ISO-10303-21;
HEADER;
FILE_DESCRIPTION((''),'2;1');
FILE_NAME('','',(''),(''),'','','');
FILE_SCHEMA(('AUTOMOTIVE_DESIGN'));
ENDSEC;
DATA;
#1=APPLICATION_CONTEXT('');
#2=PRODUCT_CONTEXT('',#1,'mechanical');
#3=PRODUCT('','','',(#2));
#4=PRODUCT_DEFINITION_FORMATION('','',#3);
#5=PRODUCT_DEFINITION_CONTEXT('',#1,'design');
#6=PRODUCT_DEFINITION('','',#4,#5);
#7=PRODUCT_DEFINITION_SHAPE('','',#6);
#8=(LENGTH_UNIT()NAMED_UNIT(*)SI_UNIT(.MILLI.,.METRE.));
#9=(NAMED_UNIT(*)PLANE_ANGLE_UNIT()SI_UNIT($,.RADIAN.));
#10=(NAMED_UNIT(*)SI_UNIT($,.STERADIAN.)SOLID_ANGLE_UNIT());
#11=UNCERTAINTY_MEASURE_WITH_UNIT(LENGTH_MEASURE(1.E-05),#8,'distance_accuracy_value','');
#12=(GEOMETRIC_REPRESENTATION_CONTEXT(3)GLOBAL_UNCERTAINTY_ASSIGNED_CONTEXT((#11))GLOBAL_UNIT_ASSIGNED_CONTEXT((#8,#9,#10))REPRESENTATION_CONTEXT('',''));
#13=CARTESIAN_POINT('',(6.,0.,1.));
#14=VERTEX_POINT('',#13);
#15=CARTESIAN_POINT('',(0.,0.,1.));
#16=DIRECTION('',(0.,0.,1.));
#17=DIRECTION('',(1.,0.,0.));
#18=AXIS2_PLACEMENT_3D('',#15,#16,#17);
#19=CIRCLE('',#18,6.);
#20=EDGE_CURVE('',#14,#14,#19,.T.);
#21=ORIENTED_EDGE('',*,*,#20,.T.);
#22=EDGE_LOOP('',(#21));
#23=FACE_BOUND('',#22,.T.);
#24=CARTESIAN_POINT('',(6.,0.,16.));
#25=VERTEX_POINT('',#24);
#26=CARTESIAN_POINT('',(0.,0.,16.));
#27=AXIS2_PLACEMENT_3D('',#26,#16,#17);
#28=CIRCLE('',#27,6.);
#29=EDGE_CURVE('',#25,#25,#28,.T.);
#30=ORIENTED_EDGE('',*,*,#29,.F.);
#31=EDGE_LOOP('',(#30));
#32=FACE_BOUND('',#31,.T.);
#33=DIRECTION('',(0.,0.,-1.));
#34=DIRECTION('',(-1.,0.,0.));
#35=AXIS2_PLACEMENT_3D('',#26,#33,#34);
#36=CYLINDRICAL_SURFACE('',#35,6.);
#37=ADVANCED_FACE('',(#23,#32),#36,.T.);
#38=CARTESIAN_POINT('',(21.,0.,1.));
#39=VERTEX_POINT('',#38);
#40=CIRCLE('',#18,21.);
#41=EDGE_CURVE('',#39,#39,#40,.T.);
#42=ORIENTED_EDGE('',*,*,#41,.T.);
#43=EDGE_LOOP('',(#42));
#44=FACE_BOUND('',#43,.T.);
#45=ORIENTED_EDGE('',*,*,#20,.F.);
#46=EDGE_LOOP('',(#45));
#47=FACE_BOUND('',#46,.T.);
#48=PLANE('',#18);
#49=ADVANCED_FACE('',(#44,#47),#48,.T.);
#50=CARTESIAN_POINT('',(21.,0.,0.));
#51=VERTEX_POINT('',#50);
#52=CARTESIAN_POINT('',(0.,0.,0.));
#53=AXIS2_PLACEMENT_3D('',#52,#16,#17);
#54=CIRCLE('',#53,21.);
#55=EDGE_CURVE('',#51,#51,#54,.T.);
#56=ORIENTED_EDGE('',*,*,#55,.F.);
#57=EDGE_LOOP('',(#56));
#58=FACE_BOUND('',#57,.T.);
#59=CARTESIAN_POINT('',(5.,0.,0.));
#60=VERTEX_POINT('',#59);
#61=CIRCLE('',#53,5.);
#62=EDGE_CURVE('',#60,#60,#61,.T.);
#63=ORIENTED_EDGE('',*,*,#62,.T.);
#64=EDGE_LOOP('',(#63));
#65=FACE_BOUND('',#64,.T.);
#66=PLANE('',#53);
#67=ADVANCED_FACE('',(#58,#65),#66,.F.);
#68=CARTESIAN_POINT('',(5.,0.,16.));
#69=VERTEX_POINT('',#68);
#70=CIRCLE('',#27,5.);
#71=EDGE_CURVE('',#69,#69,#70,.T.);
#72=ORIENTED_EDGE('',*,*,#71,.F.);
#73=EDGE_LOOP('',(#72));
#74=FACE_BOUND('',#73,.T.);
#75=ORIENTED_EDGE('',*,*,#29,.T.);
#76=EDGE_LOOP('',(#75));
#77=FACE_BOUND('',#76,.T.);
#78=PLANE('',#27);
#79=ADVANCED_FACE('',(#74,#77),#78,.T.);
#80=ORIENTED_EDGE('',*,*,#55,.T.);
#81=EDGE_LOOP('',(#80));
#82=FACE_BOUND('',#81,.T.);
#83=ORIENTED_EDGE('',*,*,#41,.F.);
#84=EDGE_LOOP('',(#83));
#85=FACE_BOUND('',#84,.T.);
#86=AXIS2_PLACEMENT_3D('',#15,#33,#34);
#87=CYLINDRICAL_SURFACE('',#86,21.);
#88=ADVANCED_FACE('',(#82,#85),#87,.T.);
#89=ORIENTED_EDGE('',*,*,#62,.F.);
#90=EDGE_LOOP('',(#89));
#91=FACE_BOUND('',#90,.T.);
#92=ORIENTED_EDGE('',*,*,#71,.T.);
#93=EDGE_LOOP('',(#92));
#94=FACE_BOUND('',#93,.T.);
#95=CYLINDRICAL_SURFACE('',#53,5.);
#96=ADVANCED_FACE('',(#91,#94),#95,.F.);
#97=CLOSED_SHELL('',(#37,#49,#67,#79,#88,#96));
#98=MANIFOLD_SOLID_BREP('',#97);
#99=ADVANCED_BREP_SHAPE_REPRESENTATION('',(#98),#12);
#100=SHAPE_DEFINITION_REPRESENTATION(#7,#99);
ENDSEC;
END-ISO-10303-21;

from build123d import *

# Parameters (mm, degrees)
SKETCH1_R               = 21
BOSS_EXTRUDE1_DEPTH     = 1
SKETCH2_R               = 6
BOSS_EXTRUDE2_DEPTH     = 15
CUT_EXTRUDE1_DEPTH      = 34.734255587
CUT_EXTRUDE1_DEPTH_BACK = 34.734255587
SKETCH3_R               = 5


with BuildPart() as part:
    # Sketch1 → Boss-Extrude1 (new body)
    with BuildSketch(Plane.XY):
        Circle(SKETCH1_R)
    extrude(amount=BOSS_EXTRUDE1_DEPTH)

    # Sketch2 → Boss-Extrude2 (add)
    with BuildSketch(Plane.XY.offset(1)):
        Circle(SKETCH2_R)
    extrude(amount=BOSS_EXTRUDE2_DEPTH)

    # Sketch3 → Cut-Extrude1 (cut, two sides: drawn at the far end of the back side and taken through both)
    with BuildSketch(Plane.XY.offset(16).offset(-CUT_EXTRUDE1_DEPTH_BACK)):
        Circle(SKETCH3_R)
    extrude(amount=CUT_EXTRUDE1_DEPTH + CUT_EXTRUDE1_DEPTH_BACK, mode=Mode.SUBTRACT)


solid = part.part
